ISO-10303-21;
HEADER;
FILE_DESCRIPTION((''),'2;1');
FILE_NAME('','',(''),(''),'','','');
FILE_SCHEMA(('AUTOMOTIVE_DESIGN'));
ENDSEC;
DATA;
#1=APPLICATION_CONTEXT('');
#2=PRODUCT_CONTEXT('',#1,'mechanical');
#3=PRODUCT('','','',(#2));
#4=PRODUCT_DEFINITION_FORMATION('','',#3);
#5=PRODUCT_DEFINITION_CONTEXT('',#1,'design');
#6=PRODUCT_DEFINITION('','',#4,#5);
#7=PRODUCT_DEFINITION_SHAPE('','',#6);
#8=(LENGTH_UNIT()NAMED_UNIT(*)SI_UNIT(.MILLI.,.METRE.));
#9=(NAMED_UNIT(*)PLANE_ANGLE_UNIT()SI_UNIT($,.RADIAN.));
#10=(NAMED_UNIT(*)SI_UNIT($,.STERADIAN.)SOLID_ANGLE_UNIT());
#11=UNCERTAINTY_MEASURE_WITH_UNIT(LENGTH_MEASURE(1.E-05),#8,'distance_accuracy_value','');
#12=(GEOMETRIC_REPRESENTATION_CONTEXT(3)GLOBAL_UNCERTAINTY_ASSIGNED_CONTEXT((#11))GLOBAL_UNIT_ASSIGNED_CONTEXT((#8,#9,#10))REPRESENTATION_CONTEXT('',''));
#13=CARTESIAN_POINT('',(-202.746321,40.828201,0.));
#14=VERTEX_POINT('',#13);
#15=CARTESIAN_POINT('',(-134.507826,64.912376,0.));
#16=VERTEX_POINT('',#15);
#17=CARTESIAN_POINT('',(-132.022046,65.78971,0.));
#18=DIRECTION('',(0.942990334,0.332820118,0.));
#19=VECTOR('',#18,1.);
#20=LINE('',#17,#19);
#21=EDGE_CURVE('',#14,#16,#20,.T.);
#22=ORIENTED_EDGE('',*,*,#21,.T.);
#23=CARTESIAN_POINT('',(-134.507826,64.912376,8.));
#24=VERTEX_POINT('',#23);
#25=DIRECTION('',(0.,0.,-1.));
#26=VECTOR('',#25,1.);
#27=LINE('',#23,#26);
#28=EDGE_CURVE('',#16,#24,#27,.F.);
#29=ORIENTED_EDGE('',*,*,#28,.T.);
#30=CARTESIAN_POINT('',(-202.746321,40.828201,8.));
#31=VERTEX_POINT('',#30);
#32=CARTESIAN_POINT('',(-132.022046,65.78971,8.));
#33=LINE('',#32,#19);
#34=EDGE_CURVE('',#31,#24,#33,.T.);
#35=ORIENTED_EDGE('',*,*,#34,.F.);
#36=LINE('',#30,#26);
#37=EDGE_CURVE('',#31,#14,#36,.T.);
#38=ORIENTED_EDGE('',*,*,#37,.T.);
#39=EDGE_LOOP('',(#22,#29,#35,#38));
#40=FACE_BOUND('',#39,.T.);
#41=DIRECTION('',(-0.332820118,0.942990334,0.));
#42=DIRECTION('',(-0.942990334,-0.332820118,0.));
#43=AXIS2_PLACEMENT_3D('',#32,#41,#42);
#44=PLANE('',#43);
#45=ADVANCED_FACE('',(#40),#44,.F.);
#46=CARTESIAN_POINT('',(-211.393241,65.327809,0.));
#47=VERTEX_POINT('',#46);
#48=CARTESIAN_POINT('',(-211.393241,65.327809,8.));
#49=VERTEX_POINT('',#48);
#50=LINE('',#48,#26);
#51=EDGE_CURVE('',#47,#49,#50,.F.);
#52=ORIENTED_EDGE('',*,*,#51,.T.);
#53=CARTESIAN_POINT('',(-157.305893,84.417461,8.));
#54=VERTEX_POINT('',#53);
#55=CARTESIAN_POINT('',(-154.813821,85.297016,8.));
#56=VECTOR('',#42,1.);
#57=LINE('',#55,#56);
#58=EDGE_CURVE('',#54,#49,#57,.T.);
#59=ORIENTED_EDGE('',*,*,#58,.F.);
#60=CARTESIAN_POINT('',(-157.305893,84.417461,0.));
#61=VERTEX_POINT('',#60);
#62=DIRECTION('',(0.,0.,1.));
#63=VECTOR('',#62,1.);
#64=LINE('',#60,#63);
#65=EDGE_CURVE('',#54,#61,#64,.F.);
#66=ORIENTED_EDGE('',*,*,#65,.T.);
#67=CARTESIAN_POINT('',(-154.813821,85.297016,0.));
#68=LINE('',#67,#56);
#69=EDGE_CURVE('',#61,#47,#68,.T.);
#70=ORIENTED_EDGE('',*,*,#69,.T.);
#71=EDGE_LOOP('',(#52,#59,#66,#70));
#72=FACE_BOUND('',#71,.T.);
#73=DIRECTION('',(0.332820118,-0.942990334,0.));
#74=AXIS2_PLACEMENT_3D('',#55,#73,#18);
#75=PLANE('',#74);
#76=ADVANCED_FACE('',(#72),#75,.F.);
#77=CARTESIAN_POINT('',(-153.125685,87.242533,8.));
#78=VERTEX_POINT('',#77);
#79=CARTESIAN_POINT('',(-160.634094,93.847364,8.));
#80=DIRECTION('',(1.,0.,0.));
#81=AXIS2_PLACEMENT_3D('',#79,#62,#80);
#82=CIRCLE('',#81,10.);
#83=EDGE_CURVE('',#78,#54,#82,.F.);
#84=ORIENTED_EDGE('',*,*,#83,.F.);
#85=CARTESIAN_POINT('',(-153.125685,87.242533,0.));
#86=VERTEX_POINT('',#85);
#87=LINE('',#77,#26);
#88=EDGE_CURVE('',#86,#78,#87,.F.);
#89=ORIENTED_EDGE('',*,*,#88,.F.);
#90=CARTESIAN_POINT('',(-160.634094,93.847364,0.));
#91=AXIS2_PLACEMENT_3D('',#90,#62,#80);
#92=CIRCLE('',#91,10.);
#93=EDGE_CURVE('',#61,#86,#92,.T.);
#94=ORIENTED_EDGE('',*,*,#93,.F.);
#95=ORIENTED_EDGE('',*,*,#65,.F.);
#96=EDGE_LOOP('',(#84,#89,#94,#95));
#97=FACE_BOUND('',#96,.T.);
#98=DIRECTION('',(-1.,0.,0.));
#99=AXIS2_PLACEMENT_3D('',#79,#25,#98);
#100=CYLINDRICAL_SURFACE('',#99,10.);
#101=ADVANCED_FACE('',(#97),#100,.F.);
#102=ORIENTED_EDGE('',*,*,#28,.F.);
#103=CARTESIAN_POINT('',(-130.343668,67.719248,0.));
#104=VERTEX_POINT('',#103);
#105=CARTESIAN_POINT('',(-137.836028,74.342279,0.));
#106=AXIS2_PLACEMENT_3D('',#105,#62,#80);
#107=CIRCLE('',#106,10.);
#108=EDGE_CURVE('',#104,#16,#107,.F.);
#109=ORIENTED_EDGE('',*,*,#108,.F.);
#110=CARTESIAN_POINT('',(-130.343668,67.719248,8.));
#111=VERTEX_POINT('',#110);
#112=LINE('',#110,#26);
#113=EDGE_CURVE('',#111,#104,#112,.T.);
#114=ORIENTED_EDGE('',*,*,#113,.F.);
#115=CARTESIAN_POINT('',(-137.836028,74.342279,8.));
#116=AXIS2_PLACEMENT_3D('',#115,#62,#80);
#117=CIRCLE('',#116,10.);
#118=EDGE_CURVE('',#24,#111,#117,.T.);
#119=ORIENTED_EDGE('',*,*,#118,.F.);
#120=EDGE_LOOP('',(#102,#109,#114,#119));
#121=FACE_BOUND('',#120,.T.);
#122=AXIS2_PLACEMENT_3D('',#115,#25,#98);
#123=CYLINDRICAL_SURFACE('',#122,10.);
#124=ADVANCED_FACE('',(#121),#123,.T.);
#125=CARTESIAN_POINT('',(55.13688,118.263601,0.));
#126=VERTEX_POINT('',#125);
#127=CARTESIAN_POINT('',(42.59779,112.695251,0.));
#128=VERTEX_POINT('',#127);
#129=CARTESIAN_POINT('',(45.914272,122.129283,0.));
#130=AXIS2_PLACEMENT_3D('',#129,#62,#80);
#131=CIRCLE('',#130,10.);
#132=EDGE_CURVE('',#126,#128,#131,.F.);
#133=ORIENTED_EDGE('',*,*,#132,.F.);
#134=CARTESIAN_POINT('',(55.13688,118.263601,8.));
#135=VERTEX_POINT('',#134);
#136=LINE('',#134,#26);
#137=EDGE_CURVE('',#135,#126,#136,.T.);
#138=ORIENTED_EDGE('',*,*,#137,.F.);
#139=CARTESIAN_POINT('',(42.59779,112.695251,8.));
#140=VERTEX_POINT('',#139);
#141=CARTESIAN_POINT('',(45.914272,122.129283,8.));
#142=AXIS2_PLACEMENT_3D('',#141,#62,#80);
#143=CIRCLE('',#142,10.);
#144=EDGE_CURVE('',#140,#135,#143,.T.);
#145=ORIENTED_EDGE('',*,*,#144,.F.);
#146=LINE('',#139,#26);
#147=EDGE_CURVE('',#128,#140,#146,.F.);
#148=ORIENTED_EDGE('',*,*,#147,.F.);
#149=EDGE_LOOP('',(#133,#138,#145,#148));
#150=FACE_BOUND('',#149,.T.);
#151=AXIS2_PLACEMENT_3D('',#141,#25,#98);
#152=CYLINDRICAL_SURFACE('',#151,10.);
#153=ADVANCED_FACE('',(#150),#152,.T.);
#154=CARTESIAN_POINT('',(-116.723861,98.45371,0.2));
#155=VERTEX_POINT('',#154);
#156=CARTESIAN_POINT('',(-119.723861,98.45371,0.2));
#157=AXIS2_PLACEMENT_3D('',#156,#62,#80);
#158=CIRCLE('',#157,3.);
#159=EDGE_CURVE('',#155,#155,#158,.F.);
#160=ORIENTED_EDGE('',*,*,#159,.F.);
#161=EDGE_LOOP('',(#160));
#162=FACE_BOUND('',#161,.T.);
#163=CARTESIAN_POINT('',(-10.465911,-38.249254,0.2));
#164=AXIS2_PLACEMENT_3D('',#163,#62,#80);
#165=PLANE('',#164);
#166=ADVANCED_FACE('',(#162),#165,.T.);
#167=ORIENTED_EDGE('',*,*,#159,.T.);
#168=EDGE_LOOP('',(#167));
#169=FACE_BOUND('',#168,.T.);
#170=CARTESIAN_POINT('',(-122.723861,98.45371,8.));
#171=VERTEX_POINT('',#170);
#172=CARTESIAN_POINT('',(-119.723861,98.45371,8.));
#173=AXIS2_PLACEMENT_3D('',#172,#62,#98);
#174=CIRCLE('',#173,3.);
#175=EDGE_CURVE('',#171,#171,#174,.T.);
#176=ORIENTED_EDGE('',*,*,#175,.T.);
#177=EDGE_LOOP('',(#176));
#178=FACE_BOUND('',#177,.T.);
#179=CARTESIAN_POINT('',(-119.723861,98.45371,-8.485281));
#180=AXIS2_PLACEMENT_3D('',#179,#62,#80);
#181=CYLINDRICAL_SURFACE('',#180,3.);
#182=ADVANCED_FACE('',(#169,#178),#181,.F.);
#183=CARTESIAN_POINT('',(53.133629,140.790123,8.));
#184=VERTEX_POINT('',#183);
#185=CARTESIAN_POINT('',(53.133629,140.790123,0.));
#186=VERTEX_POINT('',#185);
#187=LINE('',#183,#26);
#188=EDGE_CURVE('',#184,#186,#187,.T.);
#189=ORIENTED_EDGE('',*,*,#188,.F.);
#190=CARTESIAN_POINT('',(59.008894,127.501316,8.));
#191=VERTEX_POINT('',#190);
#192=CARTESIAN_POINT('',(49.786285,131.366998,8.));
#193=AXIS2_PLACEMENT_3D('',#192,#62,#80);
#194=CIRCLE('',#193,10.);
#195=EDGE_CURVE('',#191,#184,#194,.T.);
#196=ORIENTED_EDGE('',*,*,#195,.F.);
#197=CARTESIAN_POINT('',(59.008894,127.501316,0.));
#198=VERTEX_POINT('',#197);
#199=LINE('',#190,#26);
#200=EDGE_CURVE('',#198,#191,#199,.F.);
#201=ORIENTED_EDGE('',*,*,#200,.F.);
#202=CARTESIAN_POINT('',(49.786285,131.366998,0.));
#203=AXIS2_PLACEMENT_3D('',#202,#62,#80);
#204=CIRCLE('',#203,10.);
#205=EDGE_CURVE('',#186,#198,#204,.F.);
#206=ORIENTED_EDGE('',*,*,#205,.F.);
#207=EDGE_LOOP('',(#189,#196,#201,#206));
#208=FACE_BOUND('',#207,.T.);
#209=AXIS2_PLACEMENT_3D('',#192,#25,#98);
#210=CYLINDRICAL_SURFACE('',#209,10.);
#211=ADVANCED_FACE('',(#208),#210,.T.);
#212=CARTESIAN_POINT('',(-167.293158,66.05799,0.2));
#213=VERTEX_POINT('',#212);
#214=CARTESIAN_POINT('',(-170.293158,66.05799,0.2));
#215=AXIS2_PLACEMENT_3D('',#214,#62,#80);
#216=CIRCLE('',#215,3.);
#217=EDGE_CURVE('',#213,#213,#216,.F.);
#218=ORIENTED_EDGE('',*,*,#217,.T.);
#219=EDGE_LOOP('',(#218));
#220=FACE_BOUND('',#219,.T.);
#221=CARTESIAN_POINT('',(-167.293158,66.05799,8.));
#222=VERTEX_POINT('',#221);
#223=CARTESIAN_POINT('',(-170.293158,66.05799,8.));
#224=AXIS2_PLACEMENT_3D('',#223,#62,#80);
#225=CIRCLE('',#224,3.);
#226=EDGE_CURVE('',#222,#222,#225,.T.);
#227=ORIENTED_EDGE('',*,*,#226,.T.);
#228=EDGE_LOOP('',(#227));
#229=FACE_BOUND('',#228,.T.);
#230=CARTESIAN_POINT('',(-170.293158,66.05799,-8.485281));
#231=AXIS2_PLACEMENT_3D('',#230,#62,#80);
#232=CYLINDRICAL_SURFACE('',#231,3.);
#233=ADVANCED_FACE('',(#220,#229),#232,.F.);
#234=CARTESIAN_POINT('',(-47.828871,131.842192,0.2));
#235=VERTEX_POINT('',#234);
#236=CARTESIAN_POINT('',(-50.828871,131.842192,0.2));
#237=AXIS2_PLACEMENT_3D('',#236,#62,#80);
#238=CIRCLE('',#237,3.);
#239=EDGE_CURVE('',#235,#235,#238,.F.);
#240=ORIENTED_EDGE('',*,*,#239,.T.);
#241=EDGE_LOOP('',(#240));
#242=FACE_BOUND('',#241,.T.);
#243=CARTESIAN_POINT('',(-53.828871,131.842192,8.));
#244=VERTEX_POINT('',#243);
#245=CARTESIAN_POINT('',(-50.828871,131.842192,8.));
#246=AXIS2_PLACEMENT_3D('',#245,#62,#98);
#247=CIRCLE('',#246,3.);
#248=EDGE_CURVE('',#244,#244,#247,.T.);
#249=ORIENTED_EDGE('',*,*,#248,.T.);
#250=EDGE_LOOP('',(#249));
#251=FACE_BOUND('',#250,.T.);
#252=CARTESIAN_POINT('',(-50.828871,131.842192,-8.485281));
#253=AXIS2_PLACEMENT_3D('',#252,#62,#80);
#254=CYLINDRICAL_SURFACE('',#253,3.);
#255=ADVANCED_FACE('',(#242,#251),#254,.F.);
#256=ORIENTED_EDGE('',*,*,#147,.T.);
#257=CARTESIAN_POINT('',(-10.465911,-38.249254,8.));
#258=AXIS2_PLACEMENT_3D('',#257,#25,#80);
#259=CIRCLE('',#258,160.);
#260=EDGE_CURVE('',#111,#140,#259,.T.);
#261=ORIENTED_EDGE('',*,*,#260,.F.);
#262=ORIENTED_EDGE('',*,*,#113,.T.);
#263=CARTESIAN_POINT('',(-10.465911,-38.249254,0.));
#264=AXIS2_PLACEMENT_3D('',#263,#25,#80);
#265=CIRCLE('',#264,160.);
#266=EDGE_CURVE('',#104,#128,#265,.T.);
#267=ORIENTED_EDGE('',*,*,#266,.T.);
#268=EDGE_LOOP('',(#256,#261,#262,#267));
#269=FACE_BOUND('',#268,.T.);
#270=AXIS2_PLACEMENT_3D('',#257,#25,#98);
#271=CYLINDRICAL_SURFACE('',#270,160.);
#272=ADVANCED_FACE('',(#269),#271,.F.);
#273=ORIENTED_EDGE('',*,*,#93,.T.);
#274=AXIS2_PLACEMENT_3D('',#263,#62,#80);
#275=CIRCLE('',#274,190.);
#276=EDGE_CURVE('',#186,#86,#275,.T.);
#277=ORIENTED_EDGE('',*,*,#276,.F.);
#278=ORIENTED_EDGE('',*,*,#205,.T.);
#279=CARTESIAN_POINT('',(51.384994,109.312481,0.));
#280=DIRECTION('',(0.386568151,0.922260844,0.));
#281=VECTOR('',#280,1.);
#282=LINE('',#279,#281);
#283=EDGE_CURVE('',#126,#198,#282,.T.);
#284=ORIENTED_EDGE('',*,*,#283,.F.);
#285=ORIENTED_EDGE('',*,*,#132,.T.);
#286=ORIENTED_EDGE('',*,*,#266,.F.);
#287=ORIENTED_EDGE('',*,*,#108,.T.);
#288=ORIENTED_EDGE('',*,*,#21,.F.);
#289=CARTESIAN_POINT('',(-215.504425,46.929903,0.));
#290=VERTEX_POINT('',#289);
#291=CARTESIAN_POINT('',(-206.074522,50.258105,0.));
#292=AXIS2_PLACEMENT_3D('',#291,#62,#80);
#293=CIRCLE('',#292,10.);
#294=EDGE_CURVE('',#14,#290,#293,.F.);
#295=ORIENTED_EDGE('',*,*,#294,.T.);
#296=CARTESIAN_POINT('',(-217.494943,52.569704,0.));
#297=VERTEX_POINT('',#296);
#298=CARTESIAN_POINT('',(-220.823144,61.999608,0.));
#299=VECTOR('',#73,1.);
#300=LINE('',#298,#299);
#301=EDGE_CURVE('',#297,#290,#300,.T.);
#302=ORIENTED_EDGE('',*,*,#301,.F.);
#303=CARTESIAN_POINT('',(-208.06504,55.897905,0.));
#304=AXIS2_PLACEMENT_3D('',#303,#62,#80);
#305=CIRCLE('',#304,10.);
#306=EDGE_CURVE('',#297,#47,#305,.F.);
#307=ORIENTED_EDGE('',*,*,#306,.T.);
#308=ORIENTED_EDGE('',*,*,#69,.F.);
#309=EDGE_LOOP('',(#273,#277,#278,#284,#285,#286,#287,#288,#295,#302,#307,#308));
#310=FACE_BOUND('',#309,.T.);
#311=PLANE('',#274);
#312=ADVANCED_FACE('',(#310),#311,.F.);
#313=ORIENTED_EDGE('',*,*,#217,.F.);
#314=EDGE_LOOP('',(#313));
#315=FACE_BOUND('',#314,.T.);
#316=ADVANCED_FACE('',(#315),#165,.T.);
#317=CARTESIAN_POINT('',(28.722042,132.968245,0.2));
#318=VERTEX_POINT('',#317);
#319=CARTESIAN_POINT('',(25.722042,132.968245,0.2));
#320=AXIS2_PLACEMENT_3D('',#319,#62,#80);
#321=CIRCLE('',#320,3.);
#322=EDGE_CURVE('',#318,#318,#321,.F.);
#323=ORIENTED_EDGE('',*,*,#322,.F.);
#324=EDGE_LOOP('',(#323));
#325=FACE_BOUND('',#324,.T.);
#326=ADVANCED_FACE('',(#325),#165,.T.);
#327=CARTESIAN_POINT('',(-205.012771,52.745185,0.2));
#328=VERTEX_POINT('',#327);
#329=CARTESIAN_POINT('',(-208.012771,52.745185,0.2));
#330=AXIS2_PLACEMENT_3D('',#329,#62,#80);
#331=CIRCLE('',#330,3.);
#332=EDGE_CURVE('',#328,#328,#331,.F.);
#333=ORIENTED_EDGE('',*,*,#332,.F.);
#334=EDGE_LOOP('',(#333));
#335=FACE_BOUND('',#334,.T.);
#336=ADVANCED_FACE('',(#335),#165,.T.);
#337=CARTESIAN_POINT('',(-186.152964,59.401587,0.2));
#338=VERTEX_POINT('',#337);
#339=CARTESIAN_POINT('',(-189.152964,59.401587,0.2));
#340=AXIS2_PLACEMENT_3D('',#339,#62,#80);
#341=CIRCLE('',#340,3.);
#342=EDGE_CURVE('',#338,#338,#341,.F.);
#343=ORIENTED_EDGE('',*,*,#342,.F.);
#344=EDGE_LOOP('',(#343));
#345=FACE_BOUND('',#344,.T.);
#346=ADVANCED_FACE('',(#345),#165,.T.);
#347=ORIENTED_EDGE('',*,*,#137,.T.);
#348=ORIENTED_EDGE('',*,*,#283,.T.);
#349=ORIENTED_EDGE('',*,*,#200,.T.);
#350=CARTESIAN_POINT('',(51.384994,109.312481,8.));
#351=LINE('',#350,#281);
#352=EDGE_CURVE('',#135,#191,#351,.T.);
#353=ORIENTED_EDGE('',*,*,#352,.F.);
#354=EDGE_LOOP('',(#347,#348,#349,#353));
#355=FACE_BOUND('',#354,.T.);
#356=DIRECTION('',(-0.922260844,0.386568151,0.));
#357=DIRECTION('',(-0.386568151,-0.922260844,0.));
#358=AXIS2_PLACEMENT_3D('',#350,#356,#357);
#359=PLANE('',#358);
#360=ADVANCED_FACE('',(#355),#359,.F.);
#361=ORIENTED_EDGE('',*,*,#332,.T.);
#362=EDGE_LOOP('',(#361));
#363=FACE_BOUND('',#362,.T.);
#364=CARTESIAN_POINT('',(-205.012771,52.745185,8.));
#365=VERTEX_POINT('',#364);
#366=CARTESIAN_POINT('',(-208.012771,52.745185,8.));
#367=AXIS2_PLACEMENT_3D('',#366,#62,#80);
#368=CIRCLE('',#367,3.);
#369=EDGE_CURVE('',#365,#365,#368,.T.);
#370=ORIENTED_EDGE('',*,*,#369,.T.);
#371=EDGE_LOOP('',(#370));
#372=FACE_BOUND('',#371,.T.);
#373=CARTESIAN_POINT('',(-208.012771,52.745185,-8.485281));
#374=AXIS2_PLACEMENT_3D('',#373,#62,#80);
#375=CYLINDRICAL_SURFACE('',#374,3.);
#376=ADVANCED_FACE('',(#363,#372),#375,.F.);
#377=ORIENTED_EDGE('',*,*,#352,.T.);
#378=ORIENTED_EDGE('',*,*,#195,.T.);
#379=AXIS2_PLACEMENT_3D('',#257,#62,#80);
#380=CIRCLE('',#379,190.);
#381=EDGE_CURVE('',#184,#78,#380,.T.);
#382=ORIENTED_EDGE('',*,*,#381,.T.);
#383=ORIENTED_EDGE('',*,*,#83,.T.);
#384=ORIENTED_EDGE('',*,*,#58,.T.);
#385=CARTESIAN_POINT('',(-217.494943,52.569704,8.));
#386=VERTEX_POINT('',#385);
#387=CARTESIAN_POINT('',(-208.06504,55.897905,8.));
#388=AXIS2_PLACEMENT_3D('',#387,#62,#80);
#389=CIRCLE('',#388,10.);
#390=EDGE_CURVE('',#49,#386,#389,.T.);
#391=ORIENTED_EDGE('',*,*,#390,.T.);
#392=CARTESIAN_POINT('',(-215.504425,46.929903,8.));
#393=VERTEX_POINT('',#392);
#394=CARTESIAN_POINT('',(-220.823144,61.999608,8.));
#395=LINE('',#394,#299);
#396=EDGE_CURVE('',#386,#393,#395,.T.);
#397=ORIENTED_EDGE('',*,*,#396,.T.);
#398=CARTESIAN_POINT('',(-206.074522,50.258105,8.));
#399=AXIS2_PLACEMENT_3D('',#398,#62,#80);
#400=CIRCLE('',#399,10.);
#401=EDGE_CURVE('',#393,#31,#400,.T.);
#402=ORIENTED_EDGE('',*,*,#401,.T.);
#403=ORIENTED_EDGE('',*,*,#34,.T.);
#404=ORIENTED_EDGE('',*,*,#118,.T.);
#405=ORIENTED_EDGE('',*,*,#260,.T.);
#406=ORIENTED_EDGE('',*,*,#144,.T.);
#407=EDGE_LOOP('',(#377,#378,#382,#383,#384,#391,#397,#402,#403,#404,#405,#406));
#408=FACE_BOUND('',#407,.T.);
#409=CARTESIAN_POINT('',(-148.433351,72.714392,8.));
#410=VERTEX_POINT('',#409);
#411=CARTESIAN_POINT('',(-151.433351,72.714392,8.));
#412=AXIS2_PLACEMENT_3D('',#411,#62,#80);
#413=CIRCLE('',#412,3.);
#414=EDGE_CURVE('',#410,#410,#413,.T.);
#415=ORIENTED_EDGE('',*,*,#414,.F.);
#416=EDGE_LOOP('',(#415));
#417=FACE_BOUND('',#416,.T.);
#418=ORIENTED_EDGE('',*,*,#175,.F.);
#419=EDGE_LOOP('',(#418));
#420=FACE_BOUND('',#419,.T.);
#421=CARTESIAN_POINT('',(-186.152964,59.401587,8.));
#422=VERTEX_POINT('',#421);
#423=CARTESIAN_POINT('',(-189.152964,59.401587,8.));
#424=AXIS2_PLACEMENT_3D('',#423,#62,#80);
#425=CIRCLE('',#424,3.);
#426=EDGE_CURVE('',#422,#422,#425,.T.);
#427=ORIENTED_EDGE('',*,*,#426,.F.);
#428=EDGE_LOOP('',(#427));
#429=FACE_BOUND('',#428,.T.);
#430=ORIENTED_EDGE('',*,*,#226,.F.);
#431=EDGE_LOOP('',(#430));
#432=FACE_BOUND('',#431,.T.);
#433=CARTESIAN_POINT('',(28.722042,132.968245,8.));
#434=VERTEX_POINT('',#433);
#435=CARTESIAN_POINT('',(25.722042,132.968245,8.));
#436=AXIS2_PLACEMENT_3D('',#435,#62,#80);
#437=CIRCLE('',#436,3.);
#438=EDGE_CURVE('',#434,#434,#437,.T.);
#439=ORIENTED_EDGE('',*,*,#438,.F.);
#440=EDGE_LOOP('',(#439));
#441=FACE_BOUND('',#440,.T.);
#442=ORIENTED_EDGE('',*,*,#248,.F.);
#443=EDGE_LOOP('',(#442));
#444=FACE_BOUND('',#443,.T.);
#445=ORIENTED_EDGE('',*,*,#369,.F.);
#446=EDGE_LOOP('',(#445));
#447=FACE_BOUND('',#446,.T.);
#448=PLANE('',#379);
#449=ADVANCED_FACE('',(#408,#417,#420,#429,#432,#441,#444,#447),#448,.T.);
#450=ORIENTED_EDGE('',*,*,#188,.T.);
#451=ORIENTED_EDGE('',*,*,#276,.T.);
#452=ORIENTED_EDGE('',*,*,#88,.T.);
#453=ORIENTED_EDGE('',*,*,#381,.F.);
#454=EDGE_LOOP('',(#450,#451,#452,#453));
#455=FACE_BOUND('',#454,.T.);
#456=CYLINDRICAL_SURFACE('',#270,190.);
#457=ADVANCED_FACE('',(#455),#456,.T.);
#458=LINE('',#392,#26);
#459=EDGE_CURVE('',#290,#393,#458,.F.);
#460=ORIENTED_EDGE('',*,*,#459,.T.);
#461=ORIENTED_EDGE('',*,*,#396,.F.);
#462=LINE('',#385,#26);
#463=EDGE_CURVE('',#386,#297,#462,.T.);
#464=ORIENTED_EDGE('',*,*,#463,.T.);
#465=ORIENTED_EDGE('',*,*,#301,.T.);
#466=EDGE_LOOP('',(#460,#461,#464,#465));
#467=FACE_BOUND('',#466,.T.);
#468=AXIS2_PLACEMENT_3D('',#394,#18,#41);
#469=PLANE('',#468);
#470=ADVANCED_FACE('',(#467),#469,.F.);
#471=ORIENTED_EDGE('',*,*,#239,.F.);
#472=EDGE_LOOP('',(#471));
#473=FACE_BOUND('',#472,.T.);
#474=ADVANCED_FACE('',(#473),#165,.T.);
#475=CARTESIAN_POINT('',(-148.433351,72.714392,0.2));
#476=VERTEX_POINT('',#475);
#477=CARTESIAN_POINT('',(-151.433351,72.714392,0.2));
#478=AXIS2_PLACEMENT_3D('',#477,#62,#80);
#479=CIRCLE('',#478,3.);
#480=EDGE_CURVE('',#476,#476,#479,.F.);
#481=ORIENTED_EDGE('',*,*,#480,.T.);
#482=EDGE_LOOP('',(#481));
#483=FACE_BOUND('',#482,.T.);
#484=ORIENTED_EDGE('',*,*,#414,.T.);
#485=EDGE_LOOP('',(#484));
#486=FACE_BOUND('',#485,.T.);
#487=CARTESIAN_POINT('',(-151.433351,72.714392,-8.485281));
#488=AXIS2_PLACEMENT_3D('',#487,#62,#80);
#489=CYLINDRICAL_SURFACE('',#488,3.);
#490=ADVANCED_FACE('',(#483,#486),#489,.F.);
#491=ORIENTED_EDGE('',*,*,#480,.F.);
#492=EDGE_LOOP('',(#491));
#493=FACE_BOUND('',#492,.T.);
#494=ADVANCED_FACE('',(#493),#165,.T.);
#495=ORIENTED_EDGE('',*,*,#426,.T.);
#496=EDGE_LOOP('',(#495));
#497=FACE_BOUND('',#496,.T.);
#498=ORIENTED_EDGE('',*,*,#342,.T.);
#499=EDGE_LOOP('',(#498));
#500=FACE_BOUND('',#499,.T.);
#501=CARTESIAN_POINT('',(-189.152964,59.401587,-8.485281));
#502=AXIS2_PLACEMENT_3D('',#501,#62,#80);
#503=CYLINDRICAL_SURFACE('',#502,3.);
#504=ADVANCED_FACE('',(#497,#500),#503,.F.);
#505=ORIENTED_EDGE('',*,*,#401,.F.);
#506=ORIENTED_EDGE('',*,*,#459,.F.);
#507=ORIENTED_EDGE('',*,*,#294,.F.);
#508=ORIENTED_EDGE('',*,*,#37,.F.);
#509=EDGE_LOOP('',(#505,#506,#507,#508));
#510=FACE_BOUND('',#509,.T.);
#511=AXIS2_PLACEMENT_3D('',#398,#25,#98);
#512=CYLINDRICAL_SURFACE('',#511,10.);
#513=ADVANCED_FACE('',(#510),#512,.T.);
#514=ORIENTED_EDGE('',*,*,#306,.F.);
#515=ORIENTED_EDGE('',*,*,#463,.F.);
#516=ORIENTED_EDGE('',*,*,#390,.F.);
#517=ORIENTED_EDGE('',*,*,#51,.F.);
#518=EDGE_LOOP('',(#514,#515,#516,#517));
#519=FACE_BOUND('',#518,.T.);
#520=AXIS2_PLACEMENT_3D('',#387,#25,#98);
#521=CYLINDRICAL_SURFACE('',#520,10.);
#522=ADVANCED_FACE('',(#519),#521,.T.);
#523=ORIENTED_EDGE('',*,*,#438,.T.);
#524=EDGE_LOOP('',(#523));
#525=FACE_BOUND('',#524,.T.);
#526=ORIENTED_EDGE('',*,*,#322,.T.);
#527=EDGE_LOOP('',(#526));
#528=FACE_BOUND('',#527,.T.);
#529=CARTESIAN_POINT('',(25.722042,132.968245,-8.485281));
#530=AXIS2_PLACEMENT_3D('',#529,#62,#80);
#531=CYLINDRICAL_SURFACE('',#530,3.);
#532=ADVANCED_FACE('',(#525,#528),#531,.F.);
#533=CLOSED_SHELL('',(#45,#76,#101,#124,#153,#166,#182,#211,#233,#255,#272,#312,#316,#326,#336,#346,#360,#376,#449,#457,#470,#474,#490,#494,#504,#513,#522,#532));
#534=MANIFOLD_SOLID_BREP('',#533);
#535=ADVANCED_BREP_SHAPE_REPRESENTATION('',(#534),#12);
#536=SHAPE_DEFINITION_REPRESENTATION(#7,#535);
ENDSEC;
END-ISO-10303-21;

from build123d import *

# Parameters (mm, degrees)
BOSS_EXTRUDE1_DEPTH = 8
SKETCH2_R           = 3
CUT_EXTRUDE1_DEPTH  = 7.8
FILLET1_R           = 10


with BuildPart() as part:
    # Sketch1 → Boss-Extrude1 (new body)
    with BuildSketch(Plane.XY):
        with BuildLine():
            Line((-132.022045573, 65.789710007), (-212.176223927, 37.5))
            Line((-212.176223927, 37.5), (-220.823144233, 61.999607532))
            Line((-220.823144233, 61.999607532), (-154.813820882, 85.297015774))
            ThreePointArc((-154.813820882, 85.297015774), (-54.334940348, 146.616935984), (62.982038035, 136.980306335))
            Line((62.982038035, 136.980306335), (51.384993515, 109.312481006))
            ThreePointArc((51.384993515, 109.312481006), (-47.408251439, 117.427537553), (-132.022045573, 65.789710007))
        make_face()
    extrude(amount=BOSS_EXTRUDE1_DEPTH)

    # Sketch2 → Cut-Extrude1 (cut)
    with BuildSketch(Plane.XY.offset(8)):
        with Locations((-208.012771078, 52.745184826)):
            Circle(SKETCH2_R)
        with Locations((-189.152964406, 59.40158718)):
            Circle(SKETCH2_R)
        with Locations((-170.293157734, 66.057989535)):
            Circle(SKETCH2_R)
        with Locations((-151.433351063, 72.71439189)):
            Circle(SKETCH2_R)
        with Locations((25.722042378, 132.968245202)):
            Circle(SKETCH2_R)
        with Locations((-50.828871081, 131.842192364)):
            Circle(SKETCH2_R)
        with Locations((-119.723860621, 98.45370988)):
            Circle(SKETCH2_R)
    extrude(amount=-CUT_EXTRUDE1_DEPTH, mode=Mode.SUBTRACT)

    # Fillet1
    fillet1_edges = [part.edges().sort_by_distance(p)[0] for p in [
        (-220.823144233, 61.999607532, 4),
        (-154.813820882, 85.297015774, 4),
        (62.982038035, 136.980306335, 4),
        (51.384993515, 109.312481006, 4),
        (-132.022045573, 65.789710007, 4),
        (-212.176223927, 37.5, 4),
    ]]
    fillet(fillet1_edges, radius=FILLET1_R)


solid = part.part
